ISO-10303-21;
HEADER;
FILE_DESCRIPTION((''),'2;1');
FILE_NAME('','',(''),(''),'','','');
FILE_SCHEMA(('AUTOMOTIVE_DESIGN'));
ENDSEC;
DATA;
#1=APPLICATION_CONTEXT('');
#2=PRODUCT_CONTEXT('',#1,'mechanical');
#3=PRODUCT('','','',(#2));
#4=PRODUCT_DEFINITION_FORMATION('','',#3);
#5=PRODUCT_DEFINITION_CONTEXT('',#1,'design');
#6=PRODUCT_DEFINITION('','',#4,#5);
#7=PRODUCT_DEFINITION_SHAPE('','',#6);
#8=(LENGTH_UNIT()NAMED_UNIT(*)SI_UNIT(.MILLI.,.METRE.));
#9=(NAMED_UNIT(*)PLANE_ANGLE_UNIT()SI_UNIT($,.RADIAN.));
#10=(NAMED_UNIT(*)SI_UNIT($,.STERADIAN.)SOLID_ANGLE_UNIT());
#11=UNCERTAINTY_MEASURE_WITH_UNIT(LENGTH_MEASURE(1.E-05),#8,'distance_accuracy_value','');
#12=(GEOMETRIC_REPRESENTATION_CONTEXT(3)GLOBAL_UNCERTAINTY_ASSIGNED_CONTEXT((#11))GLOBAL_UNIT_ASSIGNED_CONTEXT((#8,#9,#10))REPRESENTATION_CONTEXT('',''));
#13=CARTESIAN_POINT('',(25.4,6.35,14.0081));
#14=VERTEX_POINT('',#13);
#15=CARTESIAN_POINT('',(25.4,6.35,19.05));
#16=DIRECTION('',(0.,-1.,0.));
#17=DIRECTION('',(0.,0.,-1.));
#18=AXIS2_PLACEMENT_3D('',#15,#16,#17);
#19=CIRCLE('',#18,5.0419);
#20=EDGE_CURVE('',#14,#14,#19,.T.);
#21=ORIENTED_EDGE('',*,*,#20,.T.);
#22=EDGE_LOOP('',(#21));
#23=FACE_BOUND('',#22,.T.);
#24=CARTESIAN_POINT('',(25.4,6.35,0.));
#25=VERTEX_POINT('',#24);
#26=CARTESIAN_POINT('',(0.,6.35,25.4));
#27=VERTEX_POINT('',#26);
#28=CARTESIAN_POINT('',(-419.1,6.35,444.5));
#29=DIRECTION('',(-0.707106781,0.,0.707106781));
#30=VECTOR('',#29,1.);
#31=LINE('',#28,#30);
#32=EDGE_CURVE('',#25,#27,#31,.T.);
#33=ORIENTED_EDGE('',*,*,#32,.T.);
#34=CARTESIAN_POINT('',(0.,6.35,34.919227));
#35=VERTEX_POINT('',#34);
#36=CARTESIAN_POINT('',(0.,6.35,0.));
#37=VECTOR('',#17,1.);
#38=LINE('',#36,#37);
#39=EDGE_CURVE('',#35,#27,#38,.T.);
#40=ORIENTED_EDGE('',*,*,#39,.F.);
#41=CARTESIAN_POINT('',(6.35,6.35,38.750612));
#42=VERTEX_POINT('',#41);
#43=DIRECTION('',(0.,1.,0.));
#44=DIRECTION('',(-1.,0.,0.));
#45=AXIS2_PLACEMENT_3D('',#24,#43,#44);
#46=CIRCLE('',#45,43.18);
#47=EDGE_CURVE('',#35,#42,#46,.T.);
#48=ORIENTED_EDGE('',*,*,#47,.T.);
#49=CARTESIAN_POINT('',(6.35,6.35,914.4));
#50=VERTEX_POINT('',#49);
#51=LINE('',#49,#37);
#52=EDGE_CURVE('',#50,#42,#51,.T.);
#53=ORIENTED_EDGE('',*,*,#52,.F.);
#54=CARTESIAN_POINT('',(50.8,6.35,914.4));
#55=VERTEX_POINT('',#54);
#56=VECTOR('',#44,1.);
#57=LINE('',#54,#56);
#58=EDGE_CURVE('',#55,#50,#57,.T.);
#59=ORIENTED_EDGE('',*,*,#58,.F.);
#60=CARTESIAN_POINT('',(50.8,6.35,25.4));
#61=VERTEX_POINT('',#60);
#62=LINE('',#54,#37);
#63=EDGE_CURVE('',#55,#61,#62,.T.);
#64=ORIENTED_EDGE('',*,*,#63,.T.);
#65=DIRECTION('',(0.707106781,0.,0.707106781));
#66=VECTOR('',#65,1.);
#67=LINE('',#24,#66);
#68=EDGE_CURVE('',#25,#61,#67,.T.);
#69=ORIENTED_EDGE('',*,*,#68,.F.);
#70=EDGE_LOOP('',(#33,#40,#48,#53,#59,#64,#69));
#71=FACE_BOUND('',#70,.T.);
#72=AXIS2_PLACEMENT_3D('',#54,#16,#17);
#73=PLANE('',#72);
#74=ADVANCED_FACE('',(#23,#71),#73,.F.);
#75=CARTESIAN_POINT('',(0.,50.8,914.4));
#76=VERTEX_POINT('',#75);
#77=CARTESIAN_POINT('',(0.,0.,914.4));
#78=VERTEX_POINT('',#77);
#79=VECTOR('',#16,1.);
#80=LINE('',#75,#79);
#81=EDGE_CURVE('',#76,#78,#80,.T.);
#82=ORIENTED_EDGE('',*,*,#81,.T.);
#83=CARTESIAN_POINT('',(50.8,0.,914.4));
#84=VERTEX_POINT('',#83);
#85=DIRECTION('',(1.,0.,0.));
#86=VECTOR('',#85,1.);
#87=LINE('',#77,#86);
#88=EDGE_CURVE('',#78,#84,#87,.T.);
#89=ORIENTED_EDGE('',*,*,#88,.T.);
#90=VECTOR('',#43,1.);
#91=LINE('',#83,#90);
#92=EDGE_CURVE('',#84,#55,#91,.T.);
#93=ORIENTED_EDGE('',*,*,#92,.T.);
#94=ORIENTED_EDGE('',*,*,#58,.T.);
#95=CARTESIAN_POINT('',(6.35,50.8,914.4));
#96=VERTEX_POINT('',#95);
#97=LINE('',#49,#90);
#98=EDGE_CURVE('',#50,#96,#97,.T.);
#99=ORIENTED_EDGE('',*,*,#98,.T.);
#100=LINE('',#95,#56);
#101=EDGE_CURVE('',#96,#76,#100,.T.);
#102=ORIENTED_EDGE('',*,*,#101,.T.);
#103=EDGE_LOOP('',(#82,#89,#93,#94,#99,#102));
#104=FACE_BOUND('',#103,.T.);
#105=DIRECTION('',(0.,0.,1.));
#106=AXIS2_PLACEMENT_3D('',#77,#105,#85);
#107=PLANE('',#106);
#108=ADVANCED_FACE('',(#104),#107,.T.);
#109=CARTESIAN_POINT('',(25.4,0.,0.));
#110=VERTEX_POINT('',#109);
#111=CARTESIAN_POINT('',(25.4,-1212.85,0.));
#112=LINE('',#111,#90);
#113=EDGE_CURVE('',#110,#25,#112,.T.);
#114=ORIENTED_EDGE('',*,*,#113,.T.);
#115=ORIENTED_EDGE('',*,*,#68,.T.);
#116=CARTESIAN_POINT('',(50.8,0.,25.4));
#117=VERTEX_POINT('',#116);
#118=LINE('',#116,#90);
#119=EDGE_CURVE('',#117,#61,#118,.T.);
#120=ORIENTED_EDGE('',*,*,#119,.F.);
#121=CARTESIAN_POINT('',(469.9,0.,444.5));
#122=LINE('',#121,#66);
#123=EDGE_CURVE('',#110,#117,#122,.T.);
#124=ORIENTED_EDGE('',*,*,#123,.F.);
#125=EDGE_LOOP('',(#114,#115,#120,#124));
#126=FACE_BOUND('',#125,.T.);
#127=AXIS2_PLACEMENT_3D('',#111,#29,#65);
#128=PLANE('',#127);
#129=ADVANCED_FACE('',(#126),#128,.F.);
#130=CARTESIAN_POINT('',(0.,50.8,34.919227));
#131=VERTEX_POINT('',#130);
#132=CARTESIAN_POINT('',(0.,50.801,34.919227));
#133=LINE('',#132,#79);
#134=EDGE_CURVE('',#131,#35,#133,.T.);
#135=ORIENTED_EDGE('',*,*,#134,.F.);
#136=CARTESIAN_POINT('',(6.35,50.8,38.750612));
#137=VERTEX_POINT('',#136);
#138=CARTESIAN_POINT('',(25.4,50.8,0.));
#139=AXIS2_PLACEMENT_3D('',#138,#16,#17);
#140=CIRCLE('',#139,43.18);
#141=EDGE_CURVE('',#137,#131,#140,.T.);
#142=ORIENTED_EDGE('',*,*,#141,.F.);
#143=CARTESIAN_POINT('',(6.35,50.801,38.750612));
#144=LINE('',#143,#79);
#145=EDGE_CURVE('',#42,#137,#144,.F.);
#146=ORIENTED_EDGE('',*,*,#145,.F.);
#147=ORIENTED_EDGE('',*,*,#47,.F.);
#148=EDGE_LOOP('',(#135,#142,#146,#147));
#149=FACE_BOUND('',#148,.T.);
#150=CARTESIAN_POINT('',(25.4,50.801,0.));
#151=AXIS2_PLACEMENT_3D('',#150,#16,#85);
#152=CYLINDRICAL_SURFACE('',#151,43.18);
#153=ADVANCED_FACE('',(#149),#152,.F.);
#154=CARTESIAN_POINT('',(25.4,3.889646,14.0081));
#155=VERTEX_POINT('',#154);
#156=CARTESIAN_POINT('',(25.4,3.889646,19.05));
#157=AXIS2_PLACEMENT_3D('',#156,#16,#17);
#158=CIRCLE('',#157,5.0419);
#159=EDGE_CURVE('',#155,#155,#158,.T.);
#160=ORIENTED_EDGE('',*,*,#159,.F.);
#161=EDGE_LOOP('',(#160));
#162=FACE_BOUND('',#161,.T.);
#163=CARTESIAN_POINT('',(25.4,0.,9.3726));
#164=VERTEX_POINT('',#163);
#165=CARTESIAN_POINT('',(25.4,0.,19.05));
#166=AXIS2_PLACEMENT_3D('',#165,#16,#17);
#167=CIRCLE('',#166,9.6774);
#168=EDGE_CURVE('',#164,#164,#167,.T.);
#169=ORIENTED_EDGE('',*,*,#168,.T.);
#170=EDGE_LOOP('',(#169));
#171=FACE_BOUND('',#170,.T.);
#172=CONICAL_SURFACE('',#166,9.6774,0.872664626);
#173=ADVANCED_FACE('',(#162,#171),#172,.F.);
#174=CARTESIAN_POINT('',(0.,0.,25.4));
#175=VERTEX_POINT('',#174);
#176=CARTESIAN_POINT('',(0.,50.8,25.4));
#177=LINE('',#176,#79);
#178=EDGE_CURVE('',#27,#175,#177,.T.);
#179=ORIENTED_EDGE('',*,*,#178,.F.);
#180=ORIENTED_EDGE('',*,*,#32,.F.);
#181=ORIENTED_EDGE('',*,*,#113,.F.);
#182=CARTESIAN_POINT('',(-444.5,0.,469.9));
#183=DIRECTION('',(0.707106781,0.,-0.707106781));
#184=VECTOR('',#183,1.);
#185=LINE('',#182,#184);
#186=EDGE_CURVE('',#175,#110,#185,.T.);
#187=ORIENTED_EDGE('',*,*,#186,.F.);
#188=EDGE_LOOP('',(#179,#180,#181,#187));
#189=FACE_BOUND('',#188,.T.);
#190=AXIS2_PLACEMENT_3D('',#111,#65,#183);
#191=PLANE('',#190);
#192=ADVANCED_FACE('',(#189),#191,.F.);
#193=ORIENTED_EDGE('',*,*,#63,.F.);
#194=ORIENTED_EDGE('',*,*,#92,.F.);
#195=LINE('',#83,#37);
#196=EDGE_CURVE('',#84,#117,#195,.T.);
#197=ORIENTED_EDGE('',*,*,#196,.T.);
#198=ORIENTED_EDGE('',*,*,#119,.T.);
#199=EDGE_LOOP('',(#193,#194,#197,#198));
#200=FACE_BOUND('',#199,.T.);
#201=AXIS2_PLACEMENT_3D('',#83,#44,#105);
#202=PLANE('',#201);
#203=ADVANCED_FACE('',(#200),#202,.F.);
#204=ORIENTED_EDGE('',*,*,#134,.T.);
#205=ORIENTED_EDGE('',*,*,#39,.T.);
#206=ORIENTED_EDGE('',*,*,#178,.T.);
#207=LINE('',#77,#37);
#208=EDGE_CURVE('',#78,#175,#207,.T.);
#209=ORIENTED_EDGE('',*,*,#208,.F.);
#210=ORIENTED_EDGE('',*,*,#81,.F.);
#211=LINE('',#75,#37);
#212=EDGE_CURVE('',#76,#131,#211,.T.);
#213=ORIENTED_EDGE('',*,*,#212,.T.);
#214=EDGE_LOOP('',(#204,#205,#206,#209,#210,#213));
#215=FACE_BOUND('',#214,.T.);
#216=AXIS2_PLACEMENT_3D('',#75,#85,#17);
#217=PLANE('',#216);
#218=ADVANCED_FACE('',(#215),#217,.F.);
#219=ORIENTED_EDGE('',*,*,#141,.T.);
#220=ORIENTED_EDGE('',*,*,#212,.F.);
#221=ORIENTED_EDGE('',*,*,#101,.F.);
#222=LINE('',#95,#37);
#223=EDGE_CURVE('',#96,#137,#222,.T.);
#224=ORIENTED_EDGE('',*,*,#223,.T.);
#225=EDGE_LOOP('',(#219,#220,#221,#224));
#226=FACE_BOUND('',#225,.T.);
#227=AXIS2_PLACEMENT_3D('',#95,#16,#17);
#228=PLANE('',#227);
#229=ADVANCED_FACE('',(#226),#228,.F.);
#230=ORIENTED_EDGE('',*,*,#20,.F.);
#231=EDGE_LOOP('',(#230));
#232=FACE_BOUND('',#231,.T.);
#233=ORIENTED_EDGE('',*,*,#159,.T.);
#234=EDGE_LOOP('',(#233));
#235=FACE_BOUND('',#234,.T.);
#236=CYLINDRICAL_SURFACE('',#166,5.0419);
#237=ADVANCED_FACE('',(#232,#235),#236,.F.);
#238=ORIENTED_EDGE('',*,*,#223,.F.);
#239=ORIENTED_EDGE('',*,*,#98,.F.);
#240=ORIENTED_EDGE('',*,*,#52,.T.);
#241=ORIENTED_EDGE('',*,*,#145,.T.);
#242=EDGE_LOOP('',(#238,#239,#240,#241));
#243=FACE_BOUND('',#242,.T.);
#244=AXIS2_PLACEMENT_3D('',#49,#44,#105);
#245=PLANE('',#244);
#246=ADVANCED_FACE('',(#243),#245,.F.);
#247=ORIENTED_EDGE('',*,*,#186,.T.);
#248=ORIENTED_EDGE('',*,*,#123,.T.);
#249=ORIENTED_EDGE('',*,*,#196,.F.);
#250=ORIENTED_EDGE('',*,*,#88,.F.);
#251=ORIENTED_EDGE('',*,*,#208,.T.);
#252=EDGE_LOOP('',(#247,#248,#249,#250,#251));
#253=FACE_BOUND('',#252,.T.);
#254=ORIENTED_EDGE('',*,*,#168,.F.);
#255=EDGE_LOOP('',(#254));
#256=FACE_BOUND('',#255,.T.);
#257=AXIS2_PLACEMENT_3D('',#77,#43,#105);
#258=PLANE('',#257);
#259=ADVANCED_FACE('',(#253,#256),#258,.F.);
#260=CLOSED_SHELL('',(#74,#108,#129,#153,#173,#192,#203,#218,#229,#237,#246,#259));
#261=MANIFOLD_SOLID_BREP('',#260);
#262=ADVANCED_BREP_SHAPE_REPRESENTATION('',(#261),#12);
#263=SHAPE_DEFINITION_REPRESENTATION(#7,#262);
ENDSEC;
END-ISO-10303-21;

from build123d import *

# Parameters (mm, degrees)
BOSS_EXTRUDE1_DEPTH                                 = 914.4
CUT_EXTRUDE1_REACH                                  = 918.888
SKETCH2_R                                           = 43.18
CUT_EXTRUDE2_DEPTH                                  = 1219.2
CSK_FOR_3_8_FLAT_HEAD_MACHINE_SCREW_100_D           = 10.0838
CSK_FOR_3_8_FLAT_HEAD_MACHINE_SCREW_100_CSINK_D     = 19.3548
CSK_FOR_3_8_FLAT_HEAD_MACHINE_SCREW_100_CSINK_ANGLE = 100


with BuildPart() as part:
    # Sketch1 → Boss-Extrude1 (new body)
    with BuildSketch(Plane.XY):
        Polygon((0, 50.8), (0, 0), (50.8, 0), (50.8, 6.35), (6.35, 6.35), (6.35, 50.8), align=None)
    extrude(amount=BOSS_EXTRUDE1_DEPTH)

    # Sketch2 → Cut-Extrude1 (cut, up to next)
    with BuildSketch(Plane(origin=(0, 6.35, 0), x_dir=(1, 0, 0), z_dir=(0, 1, 0)), mode=Mode.PRIVATE) as cut_extrude1_sk1:
        with Locations((25.4, 0)):
            Circle(SKETCH2_R)
    cut_extrude1_tool1 = extrude(cut_extrude1_sk1.sketch, amount=CUT_EXTRUDE1_REACH, mode=Mode.PRIVATE) & part.part
    add(cut_extrude1_tool1.solids().sort_by_distance((25.4, 6.35, 0))[0], mode=Mode.SUBTRACT)

    # Sketch3 → Cut-Extrude2 (cut)
    with BuildSketch(Plane(origin=(0, 6.35, 0), x_dir=(1, 0, 0), z_dir=(0, 1, 0))):
        with BuildLine():
            Line((25.4, 0), (-1.540768363, -26.940768363))
            ThreePointArc((-1.540768363, -26.940768363), (25.4, 38.1), (52.340768363, -26.940768363))
            Line((52.340768363, -26.940768363), (25.4, 0))
        make_face()
    extrude(amount=-CUT_EXTRUDE2_DEPTH, mode=Mode.SUBTRACT)

    # CSK for 3/8 Flat Head Machine Screw (100)1 (through all)
    with Locations(Plane(origin=(0, 0, 0), x_dir=(-1, 0, 0), z_dir=(0, -1, 0))):
        with Locations((-25.4, -19.05)):
            CounterSinkHole(CSK_FOR_3_8_FLAT_HEAD_MACHINE_SCREW_100_D / 2, CSK_FOR_3_8_FLAT_HEAD_MACHINE_SCREW_100_CSINK_D / 2, counter_sink_angle=CSK_FOR_3_8_FLAT_HEAD_MACHINE_SCREW_100_CSINK_ANGLE)


solid = part.part
